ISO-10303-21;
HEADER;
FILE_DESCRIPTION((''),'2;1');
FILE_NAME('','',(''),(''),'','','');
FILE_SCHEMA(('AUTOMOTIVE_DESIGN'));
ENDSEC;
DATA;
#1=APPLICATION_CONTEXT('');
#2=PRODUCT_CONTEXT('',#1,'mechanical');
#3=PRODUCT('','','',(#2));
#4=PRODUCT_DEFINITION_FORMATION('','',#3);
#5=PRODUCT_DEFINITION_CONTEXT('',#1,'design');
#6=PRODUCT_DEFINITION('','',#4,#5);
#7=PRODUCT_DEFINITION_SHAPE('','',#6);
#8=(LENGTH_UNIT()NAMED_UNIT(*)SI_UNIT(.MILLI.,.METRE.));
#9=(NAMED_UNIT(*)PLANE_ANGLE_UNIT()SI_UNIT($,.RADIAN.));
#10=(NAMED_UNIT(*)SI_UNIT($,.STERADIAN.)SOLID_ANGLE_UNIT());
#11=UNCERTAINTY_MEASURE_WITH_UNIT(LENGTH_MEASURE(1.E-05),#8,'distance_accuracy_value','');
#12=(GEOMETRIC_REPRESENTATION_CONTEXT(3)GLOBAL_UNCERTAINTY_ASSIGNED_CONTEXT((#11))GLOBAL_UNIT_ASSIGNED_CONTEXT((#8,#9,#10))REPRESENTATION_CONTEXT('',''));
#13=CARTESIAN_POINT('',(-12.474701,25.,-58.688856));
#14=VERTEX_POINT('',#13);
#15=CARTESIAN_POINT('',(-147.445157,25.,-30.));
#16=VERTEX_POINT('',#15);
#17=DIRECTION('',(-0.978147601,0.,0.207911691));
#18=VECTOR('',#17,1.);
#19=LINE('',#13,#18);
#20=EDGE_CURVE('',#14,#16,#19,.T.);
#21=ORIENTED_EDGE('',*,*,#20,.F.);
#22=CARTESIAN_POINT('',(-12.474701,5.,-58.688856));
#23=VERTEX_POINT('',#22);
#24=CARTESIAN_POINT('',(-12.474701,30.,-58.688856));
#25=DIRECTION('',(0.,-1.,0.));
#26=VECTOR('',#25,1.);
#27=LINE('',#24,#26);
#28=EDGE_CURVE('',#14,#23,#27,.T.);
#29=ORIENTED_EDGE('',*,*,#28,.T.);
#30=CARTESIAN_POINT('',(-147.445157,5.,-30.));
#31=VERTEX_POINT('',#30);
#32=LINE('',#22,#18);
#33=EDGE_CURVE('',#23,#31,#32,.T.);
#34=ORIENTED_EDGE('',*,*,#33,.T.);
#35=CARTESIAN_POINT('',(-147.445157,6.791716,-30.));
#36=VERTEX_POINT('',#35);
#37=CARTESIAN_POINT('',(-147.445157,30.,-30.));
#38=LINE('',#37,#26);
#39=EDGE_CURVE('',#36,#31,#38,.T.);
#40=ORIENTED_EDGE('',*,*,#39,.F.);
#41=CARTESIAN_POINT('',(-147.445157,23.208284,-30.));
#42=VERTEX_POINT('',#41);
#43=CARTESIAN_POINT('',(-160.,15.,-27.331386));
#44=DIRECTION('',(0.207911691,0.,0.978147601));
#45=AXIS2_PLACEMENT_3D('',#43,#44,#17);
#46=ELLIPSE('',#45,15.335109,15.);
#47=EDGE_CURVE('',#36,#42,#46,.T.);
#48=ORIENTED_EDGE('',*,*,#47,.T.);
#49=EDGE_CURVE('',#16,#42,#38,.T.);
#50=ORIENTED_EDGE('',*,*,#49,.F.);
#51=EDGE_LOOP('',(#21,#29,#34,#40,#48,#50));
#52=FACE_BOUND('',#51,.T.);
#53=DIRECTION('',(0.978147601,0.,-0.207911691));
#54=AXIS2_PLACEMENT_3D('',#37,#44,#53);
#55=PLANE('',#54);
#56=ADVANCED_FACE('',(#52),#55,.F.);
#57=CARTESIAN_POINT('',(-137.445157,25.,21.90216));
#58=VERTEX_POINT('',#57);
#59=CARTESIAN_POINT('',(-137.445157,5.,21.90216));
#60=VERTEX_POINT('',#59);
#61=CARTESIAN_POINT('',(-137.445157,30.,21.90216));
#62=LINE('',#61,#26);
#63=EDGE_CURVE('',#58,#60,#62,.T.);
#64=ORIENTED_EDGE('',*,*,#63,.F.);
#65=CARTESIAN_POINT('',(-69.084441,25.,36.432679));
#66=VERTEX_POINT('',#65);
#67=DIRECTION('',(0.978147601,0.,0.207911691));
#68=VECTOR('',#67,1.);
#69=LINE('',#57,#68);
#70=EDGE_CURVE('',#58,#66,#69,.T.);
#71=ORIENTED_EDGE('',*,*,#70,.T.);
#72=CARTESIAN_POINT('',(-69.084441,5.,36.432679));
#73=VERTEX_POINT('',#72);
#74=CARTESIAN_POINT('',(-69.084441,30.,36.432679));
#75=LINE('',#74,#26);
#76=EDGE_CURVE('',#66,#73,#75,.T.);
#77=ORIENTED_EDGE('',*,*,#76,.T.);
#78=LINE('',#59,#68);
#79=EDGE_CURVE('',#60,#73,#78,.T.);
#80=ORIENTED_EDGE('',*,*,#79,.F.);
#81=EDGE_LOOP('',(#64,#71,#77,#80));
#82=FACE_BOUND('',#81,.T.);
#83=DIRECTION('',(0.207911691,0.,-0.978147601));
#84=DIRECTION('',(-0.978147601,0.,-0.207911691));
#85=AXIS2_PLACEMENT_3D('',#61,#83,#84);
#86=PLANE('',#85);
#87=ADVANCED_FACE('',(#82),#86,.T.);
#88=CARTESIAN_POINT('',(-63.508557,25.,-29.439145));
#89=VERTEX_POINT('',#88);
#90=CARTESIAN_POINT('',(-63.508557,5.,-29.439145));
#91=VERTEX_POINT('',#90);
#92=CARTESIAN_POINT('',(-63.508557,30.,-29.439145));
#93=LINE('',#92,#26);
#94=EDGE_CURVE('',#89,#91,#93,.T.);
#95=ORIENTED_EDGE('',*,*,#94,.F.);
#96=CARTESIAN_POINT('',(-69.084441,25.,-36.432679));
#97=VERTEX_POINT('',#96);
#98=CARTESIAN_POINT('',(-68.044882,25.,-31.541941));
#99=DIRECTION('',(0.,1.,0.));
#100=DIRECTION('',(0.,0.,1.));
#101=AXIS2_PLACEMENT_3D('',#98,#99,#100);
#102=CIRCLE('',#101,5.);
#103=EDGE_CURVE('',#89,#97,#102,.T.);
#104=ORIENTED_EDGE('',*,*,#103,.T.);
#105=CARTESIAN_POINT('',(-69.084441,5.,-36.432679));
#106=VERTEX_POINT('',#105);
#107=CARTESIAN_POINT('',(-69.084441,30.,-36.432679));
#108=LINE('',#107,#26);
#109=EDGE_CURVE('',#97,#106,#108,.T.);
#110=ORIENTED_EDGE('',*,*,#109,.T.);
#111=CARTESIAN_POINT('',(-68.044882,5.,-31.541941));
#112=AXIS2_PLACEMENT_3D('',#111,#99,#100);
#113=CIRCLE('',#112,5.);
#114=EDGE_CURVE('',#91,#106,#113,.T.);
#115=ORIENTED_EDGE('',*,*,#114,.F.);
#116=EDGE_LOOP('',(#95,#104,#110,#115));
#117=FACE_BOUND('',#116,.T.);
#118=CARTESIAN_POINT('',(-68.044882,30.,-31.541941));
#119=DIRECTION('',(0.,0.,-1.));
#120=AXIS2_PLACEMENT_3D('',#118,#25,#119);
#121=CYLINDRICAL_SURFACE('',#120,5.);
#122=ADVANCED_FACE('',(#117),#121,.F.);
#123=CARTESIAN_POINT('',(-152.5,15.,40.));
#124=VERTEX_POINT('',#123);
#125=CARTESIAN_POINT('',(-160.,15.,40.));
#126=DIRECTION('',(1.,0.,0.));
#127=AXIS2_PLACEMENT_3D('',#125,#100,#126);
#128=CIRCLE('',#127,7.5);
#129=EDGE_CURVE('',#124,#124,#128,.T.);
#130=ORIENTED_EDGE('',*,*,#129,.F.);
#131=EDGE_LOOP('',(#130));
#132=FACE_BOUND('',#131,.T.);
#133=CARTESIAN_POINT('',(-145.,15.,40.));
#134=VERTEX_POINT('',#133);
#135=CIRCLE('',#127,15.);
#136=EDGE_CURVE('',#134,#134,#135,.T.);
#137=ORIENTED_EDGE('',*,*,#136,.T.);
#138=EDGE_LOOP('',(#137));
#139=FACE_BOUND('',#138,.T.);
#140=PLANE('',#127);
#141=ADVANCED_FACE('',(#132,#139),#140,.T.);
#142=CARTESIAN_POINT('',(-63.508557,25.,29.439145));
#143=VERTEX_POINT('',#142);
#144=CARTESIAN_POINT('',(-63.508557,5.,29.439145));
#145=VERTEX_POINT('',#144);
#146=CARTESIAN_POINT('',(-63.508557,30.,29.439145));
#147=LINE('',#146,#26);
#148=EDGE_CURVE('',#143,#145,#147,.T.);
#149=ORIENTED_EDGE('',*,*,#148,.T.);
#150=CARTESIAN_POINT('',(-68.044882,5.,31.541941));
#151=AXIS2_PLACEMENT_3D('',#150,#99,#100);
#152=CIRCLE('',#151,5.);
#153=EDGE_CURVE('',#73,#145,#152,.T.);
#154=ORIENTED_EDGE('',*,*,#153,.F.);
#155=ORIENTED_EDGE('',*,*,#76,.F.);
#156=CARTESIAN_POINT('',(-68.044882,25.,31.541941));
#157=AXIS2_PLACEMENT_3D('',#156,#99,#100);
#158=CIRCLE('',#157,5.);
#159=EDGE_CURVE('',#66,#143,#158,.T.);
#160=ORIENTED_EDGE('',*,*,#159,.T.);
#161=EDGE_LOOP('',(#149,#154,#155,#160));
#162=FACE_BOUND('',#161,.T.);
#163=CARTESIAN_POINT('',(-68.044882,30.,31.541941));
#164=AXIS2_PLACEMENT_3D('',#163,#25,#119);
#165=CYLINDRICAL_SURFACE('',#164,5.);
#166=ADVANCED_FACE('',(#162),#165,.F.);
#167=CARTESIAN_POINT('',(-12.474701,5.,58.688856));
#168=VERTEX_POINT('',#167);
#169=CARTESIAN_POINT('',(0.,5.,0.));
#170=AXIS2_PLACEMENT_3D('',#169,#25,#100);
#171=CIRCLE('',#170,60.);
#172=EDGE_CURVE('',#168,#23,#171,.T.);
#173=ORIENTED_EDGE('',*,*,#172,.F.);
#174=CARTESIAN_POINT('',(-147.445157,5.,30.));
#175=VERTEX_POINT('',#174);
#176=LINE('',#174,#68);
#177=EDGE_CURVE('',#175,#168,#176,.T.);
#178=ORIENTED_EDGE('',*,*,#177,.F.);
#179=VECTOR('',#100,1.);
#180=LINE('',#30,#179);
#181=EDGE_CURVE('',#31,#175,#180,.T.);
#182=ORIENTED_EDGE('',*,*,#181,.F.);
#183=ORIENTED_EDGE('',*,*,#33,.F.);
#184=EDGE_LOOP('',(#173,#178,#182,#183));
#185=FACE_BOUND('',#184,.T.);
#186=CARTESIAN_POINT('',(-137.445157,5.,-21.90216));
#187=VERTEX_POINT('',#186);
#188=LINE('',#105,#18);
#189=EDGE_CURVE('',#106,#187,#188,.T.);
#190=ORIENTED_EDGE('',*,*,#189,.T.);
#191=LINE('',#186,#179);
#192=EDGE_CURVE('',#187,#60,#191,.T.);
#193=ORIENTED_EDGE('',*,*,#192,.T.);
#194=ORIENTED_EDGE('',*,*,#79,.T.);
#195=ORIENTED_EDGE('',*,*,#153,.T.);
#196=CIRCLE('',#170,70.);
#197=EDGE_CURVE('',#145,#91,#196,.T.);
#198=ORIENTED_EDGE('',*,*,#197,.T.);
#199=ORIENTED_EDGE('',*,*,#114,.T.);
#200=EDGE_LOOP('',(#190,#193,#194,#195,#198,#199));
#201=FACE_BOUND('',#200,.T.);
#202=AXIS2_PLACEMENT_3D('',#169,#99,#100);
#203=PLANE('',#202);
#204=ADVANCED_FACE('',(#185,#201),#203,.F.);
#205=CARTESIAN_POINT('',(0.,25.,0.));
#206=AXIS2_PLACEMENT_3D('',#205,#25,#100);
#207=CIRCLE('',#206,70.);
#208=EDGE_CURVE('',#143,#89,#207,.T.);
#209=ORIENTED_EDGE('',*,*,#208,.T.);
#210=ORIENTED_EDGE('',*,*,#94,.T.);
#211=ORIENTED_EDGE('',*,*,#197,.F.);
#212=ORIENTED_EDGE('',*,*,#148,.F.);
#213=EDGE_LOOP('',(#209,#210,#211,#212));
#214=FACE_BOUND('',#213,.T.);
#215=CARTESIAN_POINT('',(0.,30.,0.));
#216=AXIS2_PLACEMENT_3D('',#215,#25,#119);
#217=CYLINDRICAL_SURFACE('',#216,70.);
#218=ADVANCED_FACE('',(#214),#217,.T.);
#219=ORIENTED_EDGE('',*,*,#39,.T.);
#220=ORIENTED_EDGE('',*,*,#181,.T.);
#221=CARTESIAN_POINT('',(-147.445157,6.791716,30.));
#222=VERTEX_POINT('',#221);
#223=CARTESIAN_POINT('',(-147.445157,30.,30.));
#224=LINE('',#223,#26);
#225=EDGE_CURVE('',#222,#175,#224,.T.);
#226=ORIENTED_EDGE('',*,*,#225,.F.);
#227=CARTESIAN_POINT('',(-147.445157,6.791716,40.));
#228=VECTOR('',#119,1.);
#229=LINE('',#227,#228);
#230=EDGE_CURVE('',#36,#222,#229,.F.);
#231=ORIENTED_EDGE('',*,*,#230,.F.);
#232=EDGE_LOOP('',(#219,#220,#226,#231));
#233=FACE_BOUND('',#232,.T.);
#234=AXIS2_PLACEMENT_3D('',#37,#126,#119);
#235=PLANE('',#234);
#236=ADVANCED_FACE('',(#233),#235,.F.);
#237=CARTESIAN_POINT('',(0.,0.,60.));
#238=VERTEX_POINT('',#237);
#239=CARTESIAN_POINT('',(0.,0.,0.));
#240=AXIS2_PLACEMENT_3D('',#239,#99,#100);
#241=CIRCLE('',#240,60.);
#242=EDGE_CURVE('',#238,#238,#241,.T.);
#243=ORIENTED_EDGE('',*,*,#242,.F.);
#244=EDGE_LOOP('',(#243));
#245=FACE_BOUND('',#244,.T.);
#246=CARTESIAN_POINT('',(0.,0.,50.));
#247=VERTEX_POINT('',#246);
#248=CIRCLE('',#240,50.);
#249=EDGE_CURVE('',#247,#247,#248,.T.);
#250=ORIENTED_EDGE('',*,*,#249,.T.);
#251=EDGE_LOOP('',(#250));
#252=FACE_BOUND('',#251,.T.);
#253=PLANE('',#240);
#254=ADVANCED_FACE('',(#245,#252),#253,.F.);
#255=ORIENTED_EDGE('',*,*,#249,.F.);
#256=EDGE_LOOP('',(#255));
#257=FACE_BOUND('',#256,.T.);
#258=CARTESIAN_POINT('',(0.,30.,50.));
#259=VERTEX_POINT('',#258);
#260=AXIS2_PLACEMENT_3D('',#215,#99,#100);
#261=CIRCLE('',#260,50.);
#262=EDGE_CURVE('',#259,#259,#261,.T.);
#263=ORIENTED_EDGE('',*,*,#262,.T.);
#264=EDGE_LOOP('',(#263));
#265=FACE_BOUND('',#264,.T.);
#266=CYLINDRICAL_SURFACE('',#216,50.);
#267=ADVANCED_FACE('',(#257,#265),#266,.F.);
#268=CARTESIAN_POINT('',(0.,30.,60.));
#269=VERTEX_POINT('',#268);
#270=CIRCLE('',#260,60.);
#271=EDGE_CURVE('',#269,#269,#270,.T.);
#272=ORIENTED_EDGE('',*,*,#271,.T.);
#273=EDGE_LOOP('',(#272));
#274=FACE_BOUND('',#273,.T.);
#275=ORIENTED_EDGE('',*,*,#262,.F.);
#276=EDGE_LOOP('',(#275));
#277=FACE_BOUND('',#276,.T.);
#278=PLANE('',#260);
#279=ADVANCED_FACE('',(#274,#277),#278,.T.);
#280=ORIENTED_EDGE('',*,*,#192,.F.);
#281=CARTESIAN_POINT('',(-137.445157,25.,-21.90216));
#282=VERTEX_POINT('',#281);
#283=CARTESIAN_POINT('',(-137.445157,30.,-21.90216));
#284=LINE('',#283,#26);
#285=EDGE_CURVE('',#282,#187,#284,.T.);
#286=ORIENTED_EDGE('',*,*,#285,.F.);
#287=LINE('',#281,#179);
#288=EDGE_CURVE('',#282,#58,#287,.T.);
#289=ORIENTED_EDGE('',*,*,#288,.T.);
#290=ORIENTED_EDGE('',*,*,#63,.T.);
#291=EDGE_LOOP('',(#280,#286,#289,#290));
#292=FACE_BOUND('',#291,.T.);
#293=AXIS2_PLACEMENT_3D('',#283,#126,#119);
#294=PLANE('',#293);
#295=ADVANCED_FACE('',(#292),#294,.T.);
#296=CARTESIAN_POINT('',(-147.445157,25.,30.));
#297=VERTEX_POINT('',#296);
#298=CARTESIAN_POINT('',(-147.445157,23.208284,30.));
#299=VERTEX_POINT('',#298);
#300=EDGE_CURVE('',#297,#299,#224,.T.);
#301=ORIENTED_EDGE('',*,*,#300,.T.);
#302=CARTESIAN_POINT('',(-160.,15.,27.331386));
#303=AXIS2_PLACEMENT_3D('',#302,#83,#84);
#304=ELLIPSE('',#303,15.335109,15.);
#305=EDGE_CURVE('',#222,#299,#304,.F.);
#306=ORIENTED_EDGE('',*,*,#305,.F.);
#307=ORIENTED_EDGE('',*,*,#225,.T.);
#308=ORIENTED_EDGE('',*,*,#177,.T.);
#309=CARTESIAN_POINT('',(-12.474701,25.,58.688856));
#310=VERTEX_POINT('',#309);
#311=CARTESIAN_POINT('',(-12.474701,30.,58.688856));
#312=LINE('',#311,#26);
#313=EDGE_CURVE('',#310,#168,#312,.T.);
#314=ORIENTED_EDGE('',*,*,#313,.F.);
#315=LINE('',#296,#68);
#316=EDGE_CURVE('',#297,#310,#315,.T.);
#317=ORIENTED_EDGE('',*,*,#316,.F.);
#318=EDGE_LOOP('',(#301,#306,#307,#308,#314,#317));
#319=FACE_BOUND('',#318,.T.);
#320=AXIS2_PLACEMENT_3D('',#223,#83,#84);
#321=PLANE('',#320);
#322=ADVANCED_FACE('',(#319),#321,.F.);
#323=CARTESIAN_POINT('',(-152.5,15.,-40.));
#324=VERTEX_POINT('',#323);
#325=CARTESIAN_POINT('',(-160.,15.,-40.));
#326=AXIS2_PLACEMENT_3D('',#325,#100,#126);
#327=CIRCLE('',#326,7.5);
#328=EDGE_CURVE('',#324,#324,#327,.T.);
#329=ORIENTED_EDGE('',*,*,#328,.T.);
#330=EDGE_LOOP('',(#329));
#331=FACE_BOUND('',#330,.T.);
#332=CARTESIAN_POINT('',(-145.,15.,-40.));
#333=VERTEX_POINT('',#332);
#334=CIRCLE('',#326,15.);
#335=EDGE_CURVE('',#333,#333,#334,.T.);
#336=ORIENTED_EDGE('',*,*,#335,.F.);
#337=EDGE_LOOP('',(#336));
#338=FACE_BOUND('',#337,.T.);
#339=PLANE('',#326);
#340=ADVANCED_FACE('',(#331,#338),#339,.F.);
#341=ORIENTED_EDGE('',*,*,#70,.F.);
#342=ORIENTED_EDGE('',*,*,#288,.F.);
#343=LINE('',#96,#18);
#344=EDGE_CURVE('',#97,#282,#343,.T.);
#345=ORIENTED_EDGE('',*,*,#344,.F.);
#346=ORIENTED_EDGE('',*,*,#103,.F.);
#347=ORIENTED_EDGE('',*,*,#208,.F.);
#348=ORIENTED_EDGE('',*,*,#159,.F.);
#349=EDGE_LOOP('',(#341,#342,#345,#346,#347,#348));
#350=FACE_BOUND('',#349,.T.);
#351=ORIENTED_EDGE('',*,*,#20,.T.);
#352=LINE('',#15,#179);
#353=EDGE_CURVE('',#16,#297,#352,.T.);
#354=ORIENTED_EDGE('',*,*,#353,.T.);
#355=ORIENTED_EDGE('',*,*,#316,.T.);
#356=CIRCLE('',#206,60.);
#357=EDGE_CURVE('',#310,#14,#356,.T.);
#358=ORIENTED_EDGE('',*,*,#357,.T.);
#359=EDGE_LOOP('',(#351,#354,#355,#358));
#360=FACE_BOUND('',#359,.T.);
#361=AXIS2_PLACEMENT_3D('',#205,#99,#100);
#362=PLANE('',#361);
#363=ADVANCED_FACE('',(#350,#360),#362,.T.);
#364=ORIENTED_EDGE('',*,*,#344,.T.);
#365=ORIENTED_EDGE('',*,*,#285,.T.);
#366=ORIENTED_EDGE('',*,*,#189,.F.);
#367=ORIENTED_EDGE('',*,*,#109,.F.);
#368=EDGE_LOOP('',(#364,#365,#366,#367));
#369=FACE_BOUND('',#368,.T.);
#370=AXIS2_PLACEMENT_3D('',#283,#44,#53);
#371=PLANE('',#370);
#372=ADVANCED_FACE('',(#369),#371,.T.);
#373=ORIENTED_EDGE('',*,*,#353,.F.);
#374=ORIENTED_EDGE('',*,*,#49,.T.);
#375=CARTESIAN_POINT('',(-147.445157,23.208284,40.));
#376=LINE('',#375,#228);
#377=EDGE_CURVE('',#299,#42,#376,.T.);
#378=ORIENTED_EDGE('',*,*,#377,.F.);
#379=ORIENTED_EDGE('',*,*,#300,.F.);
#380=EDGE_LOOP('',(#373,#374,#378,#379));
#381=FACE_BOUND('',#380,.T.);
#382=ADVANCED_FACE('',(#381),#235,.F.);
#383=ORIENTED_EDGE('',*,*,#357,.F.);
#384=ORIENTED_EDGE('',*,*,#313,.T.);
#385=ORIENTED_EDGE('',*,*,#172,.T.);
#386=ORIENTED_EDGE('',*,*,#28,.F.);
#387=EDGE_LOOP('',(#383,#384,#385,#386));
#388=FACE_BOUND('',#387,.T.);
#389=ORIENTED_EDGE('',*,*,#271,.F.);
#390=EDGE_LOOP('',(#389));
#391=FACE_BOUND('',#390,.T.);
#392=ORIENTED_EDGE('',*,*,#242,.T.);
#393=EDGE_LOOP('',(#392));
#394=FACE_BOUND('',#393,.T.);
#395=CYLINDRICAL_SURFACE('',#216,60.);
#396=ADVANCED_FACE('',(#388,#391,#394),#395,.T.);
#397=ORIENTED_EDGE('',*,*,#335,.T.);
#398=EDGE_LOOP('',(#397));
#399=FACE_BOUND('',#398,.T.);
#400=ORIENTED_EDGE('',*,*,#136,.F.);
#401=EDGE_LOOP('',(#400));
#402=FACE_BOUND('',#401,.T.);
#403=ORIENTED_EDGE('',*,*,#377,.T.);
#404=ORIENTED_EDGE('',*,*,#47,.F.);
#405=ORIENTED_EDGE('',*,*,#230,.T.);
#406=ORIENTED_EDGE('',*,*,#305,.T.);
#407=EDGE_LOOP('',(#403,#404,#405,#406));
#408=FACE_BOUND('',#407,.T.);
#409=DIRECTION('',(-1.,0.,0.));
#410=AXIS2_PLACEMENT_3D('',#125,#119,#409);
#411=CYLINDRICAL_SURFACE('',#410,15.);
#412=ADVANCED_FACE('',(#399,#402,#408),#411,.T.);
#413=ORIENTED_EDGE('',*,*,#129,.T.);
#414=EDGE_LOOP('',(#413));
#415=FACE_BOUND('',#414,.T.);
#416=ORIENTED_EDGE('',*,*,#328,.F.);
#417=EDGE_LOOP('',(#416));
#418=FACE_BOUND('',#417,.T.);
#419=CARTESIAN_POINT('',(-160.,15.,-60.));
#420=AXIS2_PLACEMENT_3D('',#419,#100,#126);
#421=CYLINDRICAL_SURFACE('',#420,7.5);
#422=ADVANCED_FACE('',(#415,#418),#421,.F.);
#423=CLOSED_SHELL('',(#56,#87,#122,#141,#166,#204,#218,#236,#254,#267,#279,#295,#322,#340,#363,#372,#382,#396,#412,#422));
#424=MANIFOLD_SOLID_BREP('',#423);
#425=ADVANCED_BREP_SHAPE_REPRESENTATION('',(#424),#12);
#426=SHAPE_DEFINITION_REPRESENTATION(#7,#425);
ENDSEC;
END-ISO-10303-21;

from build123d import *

# Parameters (mm, degrees)
CROQUIS2_R              = 50
SALIENTE_EXTRUIR3_DEPTH = 30
CORTAR_EXTRUIR1_DEPTH   = 5
CORTAR_EXTRUIR2_DEPTH   = 5
CROQUIS7_R              = 15
SALIENTE_EXTRUIR4_DEPTH = 40
CROQUIS7_2_R            = 15
SALIENTE_EXTRUIR5_DEPTH = 40
CROQUIS8_R              = 7.5
CORTAR_EXTRUIR3_DEPTH   = 101


with BuildPart() as part:
    # Croquis2 → Saliente-Extruir3 (new body)
    with BuildSketch(Plane(origin=(0, 0, 0), x_dir=(1, 0, 0), z_dir=(0, 1, 0))):
        with BuildLine():
            Line((-147.4451574, 30), (-12.474701449, 58.688856044))
            ThreePointArc((-12.474701449, 58.688856044), (60, 0), (-12.474701449, -58.688856044))
            Line((-12.474701449, -58.688856044), (-147.4451574, -30))
            Line((-147.4451574, -30), (-147.4451574, 30))
        make_face()
        Circle(CROQUIS2_R, mode=Mode.SUBTRACT)
        with BuildLine():
            Line((-137.4451574, -21.902159668), (-69.084440585, -36.432678588))
            ThreePointArc((-69.084440585, -36.432678588), (-64.13537775, -34.658954459), (-63.508556655, -29.439144545))
            ThreePointArc((-63.508556655, -29.439144545), (-70, 0), (-63.508556655, 29.439144545))
            ThreePointArc((-63.508556655, 29.439144545), (-64.13537775, 34.658954459), (-69.084440585, 36.432678588))
            Line((-69.084440585, 36.432678588), (-137.4451574, 21.902159668))
            Line((-137.4451574, 21.902159668), (-137.4451574, -21.902159668))
        make_face(mode=Mode.SUBTRACT)
    extrude(amount=SALIENTE_EXTRUIR3_DEPTH)

    # Croquis4 → Cortar-Extruir1 (cut)
    with BuildSketch(Plane(origin=(0, 0, 0), x_dir=(1, 0, 0), z_dir=(0, 1, 0))):
        with BuildLine():
            Line((-147.4451574, -30), (-12.474701449, -58.688856044))
            ThreePointArc((-12.474701449, -58.688856044), (-60, 0), (-12.474701449, 58.688856044))
            Line((-12.474701449, 58.688856044), (-147.4451574, 30))
            Line((-147.4451574, 30), (-147.4451574, -30))
        make_face()
        with BuildLine():
            Line((-69.084440585, 36.432678588), (-137.4451574, 21.902159668))
            Line((-137.4451574, 21.902159668), (-137.4451574, -21.902159668))
            Line((-137.4451574, -21.902159668), (-69.084440585, -36.432678588))
            ThreePointArc((-69.084440585, -36.432678588), (-64.13537775, -34.658954459), (-63.508556655, -29.439144545))
            ThreePointArc((-63.508556655, -29.439144545), (-70, 0), (-63.508556655, 29.439144545))
            ThreePointArc((-63.508556655, 29.439144545), (-64.13537775, 34.658954459), (-69.084440585, 36.432678588))
        make_face(mode=Mode.SUBTRACT)
    extrude(amount=CORTAR_EXTRUIR1_DEPTH, mode=Mode.SUBTRACT)

    # Croquis5 → Cortar-Extruir2 (cut)
    with BuildSketch(Plane(origin=(0, 30, 0), x_dir=(1, 0, 0), z_dir=(0, 1, 0))):
        with BuildLine():
            Line((-147.4451574, 30), (-147.4451574, -30))
            Line((-147.4451574, -30), (-12.474701449, -58.688856044))
            ThreePointArc((-12.474701449, -58.688856044), (-60, 0), (-12.474701449, 58.688856044))
            Line((-12.474701449, 58.688856044), (-147.4451574, 30))
        make_face()
        with BuildLine():
            Line((-137.4451574, -21.902159668), (-69.084440585, -36.432678588))
            ThreePointArc((-69.084440585, -36.432678588), (-64.13537775, -34.658954459), (-63.508556655, -29.439144545))
            ThreePointArc((-63.508556655, -29.439144545), (-70, 0), (-63.508556655, 29.439144545))
            ThreePointArc((-63.508556655, 29.439144545), (-64.13537775, 34.658954459), (-69.084440585, 36.432678588))
            Line((-69.084440585, 36.432678588), (-137.4451574, 21.902159668))
            Line((-137.4451574, 21.902159668), (-137.4451574, -21.902159668))
        make_face(mode=Mode.SUBTRACT)
    extrude(amount=-CORTAR_EXTRUIR2_DEPTH, mode=Mode.SUBTRACT)

    # Croquis7 → Saliente-Extruir4 (add)
    with BuildSketch(Plane.XY):
        with Locations((-160, 15)):
            Circle(CROQUIS7_R)
    extrude(amount=SALIENTE_EXTRUIR4_DEPTH)

    # Croquis7<2> → Saliente-Extruir5 (add)
    with BuildSketch(Plane.XY):
        with Locations((-160, 15)):
            Circle(CROQUIS7_2_R)
    extrude(amount=-SALIENTE_EXTRUIR5_DEPTH)

    # Croquis8 → Cortar-Extruir3 (cut, through all)
    with BuildSketch(Plane.XY.offset(40)):
        with Locations((-160, 15)):
            Circle(CROQUIS8_R)
    extrude(amount=-CORTAR_EXTRUIR3_DEPTH, mode=Mode.SUBTRACT)


solid = part.part
